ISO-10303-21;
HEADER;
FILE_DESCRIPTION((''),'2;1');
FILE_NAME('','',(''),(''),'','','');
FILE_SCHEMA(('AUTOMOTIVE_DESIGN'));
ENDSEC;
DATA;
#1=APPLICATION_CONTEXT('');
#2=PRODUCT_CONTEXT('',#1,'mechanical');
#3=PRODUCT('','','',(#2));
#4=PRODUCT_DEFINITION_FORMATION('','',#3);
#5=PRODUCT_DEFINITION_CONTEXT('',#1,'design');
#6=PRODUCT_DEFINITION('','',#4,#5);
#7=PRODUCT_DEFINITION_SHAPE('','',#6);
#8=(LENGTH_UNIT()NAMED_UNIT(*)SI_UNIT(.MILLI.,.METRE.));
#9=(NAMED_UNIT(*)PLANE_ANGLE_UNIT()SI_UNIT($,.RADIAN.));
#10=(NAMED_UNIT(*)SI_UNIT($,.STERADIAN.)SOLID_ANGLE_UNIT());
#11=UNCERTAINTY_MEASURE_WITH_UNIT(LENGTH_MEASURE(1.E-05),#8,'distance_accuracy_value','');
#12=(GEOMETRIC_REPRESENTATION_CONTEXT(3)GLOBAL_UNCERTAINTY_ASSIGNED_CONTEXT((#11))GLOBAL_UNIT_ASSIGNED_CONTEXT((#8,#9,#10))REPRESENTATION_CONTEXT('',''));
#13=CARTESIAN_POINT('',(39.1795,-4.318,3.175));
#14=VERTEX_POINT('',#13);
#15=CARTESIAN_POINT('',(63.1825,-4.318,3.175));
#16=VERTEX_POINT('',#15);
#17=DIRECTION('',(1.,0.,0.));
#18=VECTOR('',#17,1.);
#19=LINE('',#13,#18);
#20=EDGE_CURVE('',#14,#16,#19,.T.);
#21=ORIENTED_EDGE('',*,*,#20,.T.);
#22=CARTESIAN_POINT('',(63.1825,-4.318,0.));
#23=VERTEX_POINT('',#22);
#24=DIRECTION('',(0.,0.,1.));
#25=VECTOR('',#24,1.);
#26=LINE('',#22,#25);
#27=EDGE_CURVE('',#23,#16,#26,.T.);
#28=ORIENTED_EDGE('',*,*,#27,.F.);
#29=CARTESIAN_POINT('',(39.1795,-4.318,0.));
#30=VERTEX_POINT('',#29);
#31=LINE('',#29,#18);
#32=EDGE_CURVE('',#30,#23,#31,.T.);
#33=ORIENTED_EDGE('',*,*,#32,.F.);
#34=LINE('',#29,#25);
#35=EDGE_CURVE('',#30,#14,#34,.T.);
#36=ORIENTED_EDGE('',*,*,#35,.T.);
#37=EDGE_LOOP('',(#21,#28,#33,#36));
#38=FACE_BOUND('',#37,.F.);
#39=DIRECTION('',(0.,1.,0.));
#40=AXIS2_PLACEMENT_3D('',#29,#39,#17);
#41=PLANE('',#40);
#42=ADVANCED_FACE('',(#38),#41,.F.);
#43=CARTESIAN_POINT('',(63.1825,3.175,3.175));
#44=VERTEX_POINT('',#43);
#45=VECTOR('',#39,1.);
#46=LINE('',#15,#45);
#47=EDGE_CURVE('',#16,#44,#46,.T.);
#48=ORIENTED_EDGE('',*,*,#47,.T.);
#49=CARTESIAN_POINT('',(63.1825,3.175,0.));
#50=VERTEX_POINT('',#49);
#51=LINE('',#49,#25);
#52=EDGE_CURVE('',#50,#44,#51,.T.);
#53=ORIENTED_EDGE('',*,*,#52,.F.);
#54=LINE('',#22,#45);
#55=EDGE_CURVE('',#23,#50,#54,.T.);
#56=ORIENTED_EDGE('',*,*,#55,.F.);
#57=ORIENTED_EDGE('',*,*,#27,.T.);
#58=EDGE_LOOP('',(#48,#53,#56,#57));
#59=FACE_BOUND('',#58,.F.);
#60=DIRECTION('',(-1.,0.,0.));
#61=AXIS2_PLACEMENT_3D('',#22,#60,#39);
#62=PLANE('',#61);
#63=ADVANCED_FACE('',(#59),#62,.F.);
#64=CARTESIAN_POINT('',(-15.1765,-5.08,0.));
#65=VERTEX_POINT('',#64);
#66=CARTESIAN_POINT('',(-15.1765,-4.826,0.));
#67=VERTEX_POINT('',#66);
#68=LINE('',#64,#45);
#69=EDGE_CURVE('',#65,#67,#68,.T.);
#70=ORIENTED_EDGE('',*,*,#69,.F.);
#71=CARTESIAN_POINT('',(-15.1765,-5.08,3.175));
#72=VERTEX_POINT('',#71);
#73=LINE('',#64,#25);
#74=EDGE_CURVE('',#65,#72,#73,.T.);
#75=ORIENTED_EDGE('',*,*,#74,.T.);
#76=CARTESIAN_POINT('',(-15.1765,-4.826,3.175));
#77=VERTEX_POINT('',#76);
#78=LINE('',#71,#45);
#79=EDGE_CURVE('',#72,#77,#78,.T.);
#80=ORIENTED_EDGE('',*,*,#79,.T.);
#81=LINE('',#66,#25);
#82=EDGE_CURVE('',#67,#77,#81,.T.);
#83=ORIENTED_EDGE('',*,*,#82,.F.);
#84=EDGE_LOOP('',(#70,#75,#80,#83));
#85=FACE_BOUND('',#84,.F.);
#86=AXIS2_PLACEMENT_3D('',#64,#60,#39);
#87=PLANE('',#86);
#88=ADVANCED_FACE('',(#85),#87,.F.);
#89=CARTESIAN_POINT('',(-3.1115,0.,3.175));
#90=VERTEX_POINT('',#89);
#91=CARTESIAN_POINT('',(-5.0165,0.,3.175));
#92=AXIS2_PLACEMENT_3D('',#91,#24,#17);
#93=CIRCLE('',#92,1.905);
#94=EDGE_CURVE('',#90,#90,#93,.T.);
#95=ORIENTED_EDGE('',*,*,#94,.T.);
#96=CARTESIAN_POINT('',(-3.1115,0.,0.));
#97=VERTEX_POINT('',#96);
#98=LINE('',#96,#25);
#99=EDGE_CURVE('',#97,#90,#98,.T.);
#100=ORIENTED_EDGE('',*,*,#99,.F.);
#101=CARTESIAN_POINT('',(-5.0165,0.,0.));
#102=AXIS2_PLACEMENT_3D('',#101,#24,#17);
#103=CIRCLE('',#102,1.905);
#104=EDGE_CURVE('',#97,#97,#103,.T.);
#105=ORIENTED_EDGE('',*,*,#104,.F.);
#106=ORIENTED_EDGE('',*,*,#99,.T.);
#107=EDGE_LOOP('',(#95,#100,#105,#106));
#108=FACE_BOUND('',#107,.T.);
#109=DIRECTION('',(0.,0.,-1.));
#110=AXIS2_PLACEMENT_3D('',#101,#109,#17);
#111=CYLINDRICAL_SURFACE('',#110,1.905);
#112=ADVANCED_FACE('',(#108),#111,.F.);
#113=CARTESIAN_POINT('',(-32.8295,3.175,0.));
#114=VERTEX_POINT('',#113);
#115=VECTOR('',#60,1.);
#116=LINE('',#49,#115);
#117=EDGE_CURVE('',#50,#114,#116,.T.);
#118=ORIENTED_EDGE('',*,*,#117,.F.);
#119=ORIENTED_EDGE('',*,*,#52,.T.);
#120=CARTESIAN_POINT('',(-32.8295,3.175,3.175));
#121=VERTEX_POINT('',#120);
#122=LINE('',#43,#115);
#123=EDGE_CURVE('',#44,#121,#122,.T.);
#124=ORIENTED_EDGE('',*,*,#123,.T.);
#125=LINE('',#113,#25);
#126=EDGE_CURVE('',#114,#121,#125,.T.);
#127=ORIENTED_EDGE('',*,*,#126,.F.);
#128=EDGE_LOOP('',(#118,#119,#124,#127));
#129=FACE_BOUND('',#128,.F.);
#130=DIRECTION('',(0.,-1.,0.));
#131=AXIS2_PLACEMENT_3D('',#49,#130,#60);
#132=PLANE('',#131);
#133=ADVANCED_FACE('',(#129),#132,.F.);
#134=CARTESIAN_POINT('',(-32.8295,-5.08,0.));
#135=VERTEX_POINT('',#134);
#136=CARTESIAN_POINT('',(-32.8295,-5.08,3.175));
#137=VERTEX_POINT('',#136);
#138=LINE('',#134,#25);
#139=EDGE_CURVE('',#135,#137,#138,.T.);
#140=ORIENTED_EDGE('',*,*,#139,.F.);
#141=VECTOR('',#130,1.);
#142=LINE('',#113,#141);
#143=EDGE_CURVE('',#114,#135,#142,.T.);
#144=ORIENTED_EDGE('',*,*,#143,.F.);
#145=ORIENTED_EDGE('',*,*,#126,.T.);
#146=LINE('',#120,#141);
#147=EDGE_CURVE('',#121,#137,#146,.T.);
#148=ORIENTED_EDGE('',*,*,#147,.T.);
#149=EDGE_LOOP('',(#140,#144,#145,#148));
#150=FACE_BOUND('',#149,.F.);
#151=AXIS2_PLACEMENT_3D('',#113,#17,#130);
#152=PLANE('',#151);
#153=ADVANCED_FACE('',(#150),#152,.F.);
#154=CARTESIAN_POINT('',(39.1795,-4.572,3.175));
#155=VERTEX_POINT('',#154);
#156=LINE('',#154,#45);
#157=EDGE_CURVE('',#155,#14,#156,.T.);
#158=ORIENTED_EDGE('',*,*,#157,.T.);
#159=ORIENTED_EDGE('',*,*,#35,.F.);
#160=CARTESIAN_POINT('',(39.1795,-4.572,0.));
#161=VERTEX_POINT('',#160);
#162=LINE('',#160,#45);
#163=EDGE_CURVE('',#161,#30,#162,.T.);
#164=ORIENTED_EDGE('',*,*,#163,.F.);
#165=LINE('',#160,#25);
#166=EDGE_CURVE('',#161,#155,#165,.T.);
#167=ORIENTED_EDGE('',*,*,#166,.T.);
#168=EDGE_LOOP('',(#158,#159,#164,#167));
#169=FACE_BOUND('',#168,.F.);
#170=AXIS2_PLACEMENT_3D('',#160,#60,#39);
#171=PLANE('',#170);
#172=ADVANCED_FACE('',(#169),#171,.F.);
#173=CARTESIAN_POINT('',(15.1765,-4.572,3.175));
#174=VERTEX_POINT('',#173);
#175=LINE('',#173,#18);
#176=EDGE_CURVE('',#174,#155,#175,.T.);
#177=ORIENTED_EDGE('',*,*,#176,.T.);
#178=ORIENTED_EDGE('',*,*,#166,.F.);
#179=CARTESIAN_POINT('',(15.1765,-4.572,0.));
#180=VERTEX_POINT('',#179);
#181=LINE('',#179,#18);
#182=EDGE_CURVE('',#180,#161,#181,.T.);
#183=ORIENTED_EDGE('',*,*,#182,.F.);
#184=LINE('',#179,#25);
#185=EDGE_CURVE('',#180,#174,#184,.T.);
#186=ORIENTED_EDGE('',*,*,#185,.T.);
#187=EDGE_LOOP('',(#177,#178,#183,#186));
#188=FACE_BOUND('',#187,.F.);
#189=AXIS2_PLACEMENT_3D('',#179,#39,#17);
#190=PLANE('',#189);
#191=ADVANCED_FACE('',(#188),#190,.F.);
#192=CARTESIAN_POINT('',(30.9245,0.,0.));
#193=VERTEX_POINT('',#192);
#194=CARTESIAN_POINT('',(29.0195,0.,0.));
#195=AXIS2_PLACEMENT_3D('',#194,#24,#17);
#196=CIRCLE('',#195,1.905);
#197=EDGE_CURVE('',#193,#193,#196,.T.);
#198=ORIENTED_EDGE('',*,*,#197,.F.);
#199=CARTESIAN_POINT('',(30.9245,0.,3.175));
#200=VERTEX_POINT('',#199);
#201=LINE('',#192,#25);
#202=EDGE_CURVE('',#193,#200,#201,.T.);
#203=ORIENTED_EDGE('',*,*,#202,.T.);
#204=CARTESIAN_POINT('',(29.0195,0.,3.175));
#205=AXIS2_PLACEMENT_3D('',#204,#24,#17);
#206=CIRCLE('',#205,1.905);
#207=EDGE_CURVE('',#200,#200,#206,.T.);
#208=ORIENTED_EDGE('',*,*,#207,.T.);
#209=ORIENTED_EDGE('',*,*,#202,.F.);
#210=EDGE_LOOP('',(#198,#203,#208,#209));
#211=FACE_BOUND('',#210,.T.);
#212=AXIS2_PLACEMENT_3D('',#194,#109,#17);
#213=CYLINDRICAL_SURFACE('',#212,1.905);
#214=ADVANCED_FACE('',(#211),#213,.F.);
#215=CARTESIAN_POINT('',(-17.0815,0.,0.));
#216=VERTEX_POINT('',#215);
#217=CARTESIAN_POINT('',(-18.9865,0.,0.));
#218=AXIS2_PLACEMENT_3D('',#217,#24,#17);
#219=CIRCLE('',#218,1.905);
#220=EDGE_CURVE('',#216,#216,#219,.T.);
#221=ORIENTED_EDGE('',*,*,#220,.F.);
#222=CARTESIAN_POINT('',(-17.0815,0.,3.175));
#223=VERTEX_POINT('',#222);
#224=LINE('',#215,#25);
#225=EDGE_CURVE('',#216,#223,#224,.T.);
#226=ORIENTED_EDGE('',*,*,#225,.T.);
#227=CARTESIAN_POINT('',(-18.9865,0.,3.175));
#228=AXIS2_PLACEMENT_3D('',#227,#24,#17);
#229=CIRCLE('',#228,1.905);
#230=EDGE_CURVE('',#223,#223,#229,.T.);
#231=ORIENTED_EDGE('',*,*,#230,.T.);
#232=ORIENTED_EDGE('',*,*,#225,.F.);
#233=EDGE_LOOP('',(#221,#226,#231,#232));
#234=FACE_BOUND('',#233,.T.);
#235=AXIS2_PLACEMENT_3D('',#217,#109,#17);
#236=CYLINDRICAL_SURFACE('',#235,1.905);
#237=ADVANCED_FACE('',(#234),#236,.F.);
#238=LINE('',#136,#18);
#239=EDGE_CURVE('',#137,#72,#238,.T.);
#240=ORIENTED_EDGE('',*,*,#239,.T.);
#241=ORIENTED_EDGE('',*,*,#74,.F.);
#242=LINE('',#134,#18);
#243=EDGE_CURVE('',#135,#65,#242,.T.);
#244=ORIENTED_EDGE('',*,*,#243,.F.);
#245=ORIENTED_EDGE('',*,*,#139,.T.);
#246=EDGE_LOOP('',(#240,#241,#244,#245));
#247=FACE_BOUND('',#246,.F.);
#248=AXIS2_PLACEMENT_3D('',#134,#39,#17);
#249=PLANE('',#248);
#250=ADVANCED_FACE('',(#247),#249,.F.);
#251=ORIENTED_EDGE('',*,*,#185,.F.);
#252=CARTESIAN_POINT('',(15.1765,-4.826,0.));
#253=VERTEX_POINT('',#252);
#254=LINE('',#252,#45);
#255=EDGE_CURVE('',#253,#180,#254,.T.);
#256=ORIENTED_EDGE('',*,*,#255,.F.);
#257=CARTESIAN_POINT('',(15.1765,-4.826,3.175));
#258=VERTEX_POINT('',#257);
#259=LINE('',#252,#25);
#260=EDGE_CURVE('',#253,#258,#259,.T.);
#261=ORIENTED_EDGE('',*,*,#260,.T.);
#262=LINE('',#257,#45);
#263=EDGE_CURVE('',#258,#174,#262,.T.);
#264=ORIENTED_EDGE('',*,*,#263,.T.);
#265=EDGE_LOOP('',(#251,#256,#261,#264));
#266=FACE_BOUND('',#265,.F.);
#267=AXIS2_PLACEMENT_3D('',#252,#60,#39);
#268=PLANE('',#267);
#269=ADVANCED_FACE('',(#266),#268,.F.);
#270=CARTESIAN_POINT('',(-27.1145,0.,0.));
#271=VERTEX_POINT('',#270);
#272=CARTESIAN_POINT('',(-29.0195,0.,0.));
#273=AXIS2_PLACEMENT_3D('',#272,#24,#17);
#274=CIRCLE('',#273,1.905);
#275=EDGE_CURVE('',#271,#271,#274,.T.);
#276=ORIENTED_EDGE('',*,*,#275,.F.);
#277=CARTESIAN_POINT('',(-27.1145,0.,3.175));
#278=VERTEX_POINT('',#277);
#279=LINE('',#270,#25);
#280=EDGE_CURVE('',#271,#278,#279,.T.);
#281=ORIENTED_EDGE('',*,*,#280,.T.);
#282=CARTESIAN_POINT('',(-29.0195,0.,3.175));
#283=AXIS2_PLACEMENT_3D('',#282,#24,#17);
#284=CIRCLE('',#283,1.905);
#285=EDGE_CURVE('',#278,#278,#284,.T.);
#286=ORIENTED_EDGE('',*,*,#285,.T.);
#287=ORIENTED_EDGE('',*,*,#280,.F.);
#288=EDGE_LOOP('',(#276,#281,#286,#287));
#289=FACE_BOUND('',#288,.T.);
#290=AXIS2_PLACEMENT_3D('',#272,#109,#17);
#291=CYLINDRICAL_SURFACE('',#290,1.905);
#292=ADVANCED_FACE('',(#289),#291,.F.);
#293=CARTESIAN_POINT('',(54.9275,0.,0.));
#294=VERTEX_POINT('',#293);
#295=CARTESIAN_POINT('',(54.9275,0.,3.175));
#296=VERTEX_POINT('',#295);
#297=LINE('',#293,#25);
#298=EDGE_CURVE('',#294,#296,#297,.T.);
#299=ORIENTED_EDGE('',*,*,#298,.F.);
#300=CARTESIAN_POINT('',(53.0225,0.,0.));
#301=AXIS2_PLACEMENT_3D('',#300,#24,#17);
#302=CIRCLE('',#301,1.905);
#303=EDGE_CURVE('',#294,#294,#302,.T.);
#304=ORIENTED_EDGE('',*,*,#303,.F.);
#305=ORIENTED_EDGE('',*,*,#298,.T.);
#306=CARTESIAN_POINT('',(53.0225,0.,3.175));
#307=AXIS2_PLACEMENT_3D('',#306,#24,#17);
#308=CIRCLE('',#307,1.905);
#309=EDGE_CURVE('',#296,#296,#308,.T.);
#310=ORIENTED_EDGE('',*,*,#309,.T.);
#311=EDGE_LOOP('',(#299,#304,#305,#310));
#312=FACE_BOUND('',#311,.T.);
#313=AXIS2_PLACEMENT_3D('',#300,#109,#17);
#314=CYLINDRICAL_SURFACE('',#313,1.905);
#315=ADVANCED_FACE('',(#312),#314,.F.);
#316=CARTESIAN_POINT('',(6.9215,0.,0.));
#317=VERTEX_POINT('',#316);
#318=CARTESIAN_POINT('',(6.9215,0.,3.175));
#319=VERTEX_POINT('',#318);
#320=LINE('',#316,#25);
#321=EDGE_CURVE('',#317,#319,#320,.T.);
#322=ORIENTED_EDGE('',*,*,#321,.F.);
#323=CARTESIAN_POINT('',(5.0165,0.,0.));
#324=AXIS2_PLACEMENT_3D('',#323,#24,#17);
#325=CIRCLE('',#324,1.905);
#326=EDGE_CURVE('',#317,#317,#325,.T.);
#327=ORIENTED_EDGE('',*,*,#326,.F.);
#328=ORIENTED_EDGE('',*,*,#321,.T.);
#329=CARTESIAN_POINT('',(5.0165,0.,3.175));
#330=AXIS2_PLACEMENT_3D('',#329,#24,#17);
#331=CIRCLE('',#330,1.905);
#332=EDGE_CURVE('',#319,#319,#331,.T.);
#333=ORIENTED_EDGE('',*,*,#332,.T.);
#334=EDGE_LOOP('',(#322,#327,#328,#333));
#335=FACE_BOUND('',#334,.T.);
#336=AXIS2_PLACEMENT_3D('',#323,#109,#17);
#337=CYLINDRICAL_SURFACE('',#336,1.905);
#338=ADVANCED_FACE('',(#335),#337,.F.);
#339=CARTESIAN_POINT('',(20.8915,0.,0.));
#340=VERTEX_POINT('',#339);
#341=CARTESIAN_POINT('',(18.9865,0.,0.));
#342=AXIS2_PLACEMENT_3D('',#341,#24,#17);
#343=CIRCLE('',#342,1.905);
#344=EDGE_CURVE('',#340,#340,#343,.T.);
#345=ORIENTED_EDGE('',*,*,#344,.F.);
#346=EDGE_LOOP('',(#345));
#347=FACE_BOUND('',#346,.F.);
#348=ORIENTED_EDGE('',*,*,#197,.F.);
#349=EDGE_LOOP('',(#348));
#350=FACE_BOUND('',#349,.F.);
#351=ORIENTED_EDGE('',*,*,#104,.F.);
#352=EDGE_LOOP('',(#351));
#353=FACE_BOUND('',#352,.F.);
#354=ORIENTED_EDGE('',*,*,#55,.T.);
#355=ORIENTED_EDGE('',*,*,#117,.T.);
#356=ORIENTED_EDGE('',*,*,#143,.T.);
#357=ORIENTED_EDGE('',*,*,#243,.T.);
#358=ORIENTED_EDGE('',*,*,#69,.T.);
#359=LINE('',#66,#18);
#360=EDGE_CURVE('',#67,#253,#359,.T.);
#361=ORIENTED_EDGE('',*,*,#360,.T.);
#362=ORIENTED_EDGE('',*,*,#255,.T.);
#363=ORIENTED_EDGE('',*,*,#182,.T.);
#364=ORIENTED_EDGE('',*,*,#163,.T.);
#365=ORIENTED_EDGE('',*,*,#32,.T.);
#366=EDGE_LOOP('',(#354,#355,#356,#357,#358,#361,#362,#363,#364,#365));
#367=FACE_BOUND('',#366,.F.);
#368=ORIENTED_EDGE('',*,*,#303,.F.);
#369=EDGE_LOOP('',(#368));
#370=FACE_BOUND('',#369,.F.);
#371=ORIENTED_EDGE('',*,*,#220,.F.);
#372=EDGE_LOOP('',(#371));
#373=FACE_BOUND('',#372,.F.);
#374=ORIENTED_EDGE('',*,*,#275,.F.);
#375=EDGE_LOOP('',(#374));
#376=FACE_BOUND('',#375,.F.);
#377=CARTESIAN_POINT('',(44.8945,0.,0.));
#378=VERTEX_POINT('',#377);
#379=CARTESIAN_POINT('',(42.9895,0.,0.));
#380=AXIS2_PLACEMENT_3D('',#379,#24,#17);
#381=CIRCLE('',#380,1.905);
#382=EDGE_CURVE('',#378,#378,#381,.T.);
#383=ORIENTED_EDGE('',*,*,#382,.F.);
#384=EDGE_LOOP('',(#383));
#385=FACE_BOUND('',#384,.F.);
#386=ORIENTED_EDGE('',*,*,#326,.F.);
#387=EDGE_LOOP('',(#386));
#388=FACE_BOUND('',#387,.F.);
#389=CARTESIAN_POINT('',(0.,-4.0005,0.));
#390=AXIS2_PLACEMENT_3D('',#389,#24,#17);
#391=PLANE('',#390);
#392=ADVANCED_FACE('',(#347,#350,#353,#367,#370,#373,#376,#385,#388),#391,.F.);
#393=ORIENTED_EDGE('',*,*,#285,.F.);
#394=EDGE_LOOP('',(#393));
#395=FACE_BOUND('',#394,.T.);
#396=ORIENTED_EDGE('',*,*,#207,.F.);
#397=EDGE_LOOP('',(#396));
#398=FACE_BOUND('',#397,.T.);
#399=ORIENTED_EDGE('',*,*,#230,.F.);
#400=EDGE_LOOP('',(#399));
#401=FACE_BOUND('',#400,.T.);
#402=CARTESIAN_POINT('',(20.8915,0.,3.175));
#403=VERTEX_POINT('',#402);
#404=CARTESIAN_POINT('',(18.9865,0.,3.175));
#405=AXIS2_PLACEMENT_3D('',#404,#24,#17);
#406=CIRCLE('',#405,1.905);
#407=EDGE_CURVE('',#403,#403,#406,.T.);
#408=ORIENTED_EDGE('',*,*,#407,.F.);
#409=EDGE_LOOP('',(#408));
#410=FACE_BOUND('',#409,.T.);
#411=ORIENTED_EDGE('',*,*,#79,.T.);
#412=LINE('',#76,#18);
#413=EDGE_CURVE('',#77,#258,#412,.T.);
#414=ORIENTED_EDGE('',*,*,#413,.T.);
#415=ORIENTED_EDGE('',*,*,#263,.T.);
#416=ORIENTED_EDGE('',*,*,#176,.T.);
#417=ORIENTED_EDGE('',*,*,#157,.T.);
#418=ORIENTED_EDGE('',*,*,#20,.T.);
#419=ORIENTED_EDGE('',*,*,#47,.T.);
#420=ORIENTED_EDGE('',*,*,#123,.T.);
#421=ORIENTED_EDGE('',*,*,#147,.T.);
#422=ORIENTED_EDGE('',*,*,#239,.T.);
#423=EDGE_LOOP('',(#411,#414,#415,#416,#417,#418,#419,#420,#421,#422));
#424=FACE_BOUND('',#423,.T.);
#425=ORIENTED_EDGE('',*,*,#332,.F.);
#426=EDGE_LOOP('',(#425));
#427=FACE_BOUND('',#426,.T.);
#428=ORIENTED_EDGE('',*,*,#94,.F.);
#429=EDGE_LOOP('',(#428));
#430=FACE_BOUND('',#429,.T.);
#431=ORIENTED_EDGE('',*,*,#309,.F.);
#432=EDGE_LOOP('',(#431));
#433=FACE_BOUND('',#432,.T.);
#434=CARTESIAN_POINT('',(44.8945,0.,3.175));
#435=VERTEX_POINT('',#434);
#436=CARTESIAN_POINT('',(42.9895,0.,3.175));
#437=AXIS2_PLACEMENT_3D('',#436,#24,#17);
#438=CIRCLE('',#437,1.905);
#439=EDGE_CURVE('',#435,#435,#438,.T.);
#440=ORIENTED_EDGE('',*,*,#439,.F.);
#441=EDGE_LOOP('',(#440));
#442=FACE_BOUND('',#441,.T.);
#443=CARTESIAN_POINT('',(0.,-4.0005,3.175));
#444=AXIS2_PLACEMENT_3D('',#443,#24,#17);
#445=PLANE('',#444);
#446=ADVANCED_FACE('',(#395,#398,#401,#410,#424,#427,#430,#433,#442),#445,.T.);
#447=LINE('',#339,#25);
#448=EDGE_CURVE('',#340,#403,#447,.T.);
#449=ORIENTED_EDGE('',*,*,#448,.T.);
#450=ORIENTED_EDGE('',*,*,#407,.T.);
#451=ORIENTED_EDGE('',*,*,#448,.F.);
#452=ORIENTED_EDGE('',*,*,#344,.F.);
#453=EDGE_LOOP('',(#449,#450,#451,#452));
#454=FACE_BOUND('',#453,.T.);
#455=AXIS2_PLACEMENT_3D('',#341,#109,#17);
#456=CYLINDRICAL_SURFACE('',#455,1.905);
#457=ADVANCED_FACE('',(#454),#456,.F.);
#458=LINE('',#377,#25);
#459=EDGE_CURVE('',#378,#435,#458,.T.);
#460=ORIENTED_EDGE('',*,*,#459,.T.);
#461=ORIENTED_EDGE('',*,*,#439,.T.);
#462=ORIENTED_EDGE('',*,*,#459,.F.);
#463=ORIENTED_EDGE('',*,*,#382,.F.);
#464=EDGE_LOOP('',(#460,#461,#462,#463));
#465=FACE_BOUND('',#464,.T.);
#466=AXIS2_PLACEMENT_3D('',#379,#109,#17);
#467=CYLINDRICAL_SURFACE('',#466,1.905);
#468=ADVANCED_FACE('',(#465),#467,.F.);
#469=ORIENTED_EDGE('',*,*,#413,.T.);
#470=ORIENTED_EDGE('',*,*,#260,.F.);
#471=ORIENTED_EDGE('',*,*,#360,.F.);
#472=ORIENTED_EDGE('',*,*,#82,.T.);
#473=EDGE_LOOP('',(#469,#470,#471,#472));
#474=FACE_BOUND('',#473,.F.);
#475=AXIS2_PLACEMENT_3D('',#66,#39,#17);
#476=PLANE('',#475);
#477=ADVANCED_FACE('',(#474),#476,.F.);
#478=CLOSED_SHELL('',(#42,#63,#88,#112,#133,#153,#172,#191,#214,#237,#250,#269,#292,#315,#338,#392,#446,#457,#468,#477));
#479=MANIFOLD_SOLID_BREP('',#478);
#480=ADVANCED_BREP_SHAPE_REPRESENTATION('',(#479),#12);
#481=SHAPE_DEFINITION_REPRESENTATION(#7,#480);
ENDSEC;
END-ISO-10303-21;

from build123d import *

# Parameters (mm, degrees)
F0_W     = 17.653
F0_H     = 1.651
F0_H_2   = 6.35
F0_R     = 1.905
F0_H_3   = 1.397
F0_H_4   = 1.143
F1_DEPTH = 3.175


with BuildPart() as f1:
    # F0 (on Top) → F1 (new body)
    with BuildSketch(Plane.XY):
        with Locations((0, -4.0005)):
            Rectangle(F0_W, F0_H)
        Rectangle(F0_W, F0_H_2)
        with Locations((-5.0165, 0)):
            Circle(F0_R, mode=Mode.SUBTRACT)
        with Locations((5.0165, 0)):
            Circle(F0_R, mode=Mode.SUBTRACT)
        Polygon((8.8265, 3.175), (8.8265, -3.175), (8.8265, -4.826), (12.0015, -4.826), (12.0015, 3.175), align=None)
        Polygon((-8.8265, -4.826), (-8.8265, -3.175), (-8.8265, 3.175), (-12.0015, 3.175), (-12.0015, -4.826), align=None)
        Polygon((15.1765, 3.175), (12.0015, 3.175), (12.0015, -4.826), (15.1765, -4.826), (15.1765, -4.572), (15.1765, -3.175), align=None)
        Polygon((-12.0015, -4.826), (-12.0015, 3.175), (-15.1765, 3.175), (-15.1765, -3.175), (-15.1765, -4.826), align=None)
        with Locations((24.003, 0)):
            Rectangle(F0_W, F0_H_2)
        with Locations((18.9865, 0)):
            Circle(F0_R, mode=Mode.SUBTRACT)
        with Locations((29.0195, 0)):
            Circle(F0_R, mode=Mode.SUBTRACT)
        with Locations((-24.003, 0)):
            Rectangle(F0_W, F0_H_2)
        with Locations((-29.0195, 0)):
            Circle(F0_R, mode=Mode.SUBTRACT)
        with Locations((-18.9865, 0)):
            Circle(F0_R, mode=Mode.SUBTRACT)
        Polygon((-15.1765, -5.08), (-15.1765, -4.826), (-15.1765, -3.175), (-32.8295, -3.175), (-32.8295, -5.08), align=None)
        with Locations((24.003, -3.8735)):
            Rectangle(F0_W, F0_H_3)
        Polygon((36.0045, 3.175), (32.8295, 3.175), (32.8295, -3.175), (32.8295, -4.572), (36.0045, -4.572), align=None)
        Polygon((39.1795, 3.175), (36.0045, 3.175), (36.0045, -4.572), (39.1795, -4.572), (39.1795, -4.318), (39.1795, -3.175), align=None)
        with Locations((48.006, 0)):
            Rectangle(F0_W, F0_H_2)
        with Locations((42.9895, 0)):
            Circle(F0_R, mode=Mode.SUBTRACT)
        with Locations((53.0225, 0)):
            Circle(F0_R, mode=Mode.SUBTRACT)
        with Locations((48.006, -3.7465)):
            Rectangle(F0_W, F0_H_4)
        Polygon((63.1825, 3.175), (56.8325, 3.175), (56.8325, -3.175), (56.8325, -4.318), (63.1825, -4.318), align=None)
    extrude(amount=F1_DEPTH)


solid = f1.part
